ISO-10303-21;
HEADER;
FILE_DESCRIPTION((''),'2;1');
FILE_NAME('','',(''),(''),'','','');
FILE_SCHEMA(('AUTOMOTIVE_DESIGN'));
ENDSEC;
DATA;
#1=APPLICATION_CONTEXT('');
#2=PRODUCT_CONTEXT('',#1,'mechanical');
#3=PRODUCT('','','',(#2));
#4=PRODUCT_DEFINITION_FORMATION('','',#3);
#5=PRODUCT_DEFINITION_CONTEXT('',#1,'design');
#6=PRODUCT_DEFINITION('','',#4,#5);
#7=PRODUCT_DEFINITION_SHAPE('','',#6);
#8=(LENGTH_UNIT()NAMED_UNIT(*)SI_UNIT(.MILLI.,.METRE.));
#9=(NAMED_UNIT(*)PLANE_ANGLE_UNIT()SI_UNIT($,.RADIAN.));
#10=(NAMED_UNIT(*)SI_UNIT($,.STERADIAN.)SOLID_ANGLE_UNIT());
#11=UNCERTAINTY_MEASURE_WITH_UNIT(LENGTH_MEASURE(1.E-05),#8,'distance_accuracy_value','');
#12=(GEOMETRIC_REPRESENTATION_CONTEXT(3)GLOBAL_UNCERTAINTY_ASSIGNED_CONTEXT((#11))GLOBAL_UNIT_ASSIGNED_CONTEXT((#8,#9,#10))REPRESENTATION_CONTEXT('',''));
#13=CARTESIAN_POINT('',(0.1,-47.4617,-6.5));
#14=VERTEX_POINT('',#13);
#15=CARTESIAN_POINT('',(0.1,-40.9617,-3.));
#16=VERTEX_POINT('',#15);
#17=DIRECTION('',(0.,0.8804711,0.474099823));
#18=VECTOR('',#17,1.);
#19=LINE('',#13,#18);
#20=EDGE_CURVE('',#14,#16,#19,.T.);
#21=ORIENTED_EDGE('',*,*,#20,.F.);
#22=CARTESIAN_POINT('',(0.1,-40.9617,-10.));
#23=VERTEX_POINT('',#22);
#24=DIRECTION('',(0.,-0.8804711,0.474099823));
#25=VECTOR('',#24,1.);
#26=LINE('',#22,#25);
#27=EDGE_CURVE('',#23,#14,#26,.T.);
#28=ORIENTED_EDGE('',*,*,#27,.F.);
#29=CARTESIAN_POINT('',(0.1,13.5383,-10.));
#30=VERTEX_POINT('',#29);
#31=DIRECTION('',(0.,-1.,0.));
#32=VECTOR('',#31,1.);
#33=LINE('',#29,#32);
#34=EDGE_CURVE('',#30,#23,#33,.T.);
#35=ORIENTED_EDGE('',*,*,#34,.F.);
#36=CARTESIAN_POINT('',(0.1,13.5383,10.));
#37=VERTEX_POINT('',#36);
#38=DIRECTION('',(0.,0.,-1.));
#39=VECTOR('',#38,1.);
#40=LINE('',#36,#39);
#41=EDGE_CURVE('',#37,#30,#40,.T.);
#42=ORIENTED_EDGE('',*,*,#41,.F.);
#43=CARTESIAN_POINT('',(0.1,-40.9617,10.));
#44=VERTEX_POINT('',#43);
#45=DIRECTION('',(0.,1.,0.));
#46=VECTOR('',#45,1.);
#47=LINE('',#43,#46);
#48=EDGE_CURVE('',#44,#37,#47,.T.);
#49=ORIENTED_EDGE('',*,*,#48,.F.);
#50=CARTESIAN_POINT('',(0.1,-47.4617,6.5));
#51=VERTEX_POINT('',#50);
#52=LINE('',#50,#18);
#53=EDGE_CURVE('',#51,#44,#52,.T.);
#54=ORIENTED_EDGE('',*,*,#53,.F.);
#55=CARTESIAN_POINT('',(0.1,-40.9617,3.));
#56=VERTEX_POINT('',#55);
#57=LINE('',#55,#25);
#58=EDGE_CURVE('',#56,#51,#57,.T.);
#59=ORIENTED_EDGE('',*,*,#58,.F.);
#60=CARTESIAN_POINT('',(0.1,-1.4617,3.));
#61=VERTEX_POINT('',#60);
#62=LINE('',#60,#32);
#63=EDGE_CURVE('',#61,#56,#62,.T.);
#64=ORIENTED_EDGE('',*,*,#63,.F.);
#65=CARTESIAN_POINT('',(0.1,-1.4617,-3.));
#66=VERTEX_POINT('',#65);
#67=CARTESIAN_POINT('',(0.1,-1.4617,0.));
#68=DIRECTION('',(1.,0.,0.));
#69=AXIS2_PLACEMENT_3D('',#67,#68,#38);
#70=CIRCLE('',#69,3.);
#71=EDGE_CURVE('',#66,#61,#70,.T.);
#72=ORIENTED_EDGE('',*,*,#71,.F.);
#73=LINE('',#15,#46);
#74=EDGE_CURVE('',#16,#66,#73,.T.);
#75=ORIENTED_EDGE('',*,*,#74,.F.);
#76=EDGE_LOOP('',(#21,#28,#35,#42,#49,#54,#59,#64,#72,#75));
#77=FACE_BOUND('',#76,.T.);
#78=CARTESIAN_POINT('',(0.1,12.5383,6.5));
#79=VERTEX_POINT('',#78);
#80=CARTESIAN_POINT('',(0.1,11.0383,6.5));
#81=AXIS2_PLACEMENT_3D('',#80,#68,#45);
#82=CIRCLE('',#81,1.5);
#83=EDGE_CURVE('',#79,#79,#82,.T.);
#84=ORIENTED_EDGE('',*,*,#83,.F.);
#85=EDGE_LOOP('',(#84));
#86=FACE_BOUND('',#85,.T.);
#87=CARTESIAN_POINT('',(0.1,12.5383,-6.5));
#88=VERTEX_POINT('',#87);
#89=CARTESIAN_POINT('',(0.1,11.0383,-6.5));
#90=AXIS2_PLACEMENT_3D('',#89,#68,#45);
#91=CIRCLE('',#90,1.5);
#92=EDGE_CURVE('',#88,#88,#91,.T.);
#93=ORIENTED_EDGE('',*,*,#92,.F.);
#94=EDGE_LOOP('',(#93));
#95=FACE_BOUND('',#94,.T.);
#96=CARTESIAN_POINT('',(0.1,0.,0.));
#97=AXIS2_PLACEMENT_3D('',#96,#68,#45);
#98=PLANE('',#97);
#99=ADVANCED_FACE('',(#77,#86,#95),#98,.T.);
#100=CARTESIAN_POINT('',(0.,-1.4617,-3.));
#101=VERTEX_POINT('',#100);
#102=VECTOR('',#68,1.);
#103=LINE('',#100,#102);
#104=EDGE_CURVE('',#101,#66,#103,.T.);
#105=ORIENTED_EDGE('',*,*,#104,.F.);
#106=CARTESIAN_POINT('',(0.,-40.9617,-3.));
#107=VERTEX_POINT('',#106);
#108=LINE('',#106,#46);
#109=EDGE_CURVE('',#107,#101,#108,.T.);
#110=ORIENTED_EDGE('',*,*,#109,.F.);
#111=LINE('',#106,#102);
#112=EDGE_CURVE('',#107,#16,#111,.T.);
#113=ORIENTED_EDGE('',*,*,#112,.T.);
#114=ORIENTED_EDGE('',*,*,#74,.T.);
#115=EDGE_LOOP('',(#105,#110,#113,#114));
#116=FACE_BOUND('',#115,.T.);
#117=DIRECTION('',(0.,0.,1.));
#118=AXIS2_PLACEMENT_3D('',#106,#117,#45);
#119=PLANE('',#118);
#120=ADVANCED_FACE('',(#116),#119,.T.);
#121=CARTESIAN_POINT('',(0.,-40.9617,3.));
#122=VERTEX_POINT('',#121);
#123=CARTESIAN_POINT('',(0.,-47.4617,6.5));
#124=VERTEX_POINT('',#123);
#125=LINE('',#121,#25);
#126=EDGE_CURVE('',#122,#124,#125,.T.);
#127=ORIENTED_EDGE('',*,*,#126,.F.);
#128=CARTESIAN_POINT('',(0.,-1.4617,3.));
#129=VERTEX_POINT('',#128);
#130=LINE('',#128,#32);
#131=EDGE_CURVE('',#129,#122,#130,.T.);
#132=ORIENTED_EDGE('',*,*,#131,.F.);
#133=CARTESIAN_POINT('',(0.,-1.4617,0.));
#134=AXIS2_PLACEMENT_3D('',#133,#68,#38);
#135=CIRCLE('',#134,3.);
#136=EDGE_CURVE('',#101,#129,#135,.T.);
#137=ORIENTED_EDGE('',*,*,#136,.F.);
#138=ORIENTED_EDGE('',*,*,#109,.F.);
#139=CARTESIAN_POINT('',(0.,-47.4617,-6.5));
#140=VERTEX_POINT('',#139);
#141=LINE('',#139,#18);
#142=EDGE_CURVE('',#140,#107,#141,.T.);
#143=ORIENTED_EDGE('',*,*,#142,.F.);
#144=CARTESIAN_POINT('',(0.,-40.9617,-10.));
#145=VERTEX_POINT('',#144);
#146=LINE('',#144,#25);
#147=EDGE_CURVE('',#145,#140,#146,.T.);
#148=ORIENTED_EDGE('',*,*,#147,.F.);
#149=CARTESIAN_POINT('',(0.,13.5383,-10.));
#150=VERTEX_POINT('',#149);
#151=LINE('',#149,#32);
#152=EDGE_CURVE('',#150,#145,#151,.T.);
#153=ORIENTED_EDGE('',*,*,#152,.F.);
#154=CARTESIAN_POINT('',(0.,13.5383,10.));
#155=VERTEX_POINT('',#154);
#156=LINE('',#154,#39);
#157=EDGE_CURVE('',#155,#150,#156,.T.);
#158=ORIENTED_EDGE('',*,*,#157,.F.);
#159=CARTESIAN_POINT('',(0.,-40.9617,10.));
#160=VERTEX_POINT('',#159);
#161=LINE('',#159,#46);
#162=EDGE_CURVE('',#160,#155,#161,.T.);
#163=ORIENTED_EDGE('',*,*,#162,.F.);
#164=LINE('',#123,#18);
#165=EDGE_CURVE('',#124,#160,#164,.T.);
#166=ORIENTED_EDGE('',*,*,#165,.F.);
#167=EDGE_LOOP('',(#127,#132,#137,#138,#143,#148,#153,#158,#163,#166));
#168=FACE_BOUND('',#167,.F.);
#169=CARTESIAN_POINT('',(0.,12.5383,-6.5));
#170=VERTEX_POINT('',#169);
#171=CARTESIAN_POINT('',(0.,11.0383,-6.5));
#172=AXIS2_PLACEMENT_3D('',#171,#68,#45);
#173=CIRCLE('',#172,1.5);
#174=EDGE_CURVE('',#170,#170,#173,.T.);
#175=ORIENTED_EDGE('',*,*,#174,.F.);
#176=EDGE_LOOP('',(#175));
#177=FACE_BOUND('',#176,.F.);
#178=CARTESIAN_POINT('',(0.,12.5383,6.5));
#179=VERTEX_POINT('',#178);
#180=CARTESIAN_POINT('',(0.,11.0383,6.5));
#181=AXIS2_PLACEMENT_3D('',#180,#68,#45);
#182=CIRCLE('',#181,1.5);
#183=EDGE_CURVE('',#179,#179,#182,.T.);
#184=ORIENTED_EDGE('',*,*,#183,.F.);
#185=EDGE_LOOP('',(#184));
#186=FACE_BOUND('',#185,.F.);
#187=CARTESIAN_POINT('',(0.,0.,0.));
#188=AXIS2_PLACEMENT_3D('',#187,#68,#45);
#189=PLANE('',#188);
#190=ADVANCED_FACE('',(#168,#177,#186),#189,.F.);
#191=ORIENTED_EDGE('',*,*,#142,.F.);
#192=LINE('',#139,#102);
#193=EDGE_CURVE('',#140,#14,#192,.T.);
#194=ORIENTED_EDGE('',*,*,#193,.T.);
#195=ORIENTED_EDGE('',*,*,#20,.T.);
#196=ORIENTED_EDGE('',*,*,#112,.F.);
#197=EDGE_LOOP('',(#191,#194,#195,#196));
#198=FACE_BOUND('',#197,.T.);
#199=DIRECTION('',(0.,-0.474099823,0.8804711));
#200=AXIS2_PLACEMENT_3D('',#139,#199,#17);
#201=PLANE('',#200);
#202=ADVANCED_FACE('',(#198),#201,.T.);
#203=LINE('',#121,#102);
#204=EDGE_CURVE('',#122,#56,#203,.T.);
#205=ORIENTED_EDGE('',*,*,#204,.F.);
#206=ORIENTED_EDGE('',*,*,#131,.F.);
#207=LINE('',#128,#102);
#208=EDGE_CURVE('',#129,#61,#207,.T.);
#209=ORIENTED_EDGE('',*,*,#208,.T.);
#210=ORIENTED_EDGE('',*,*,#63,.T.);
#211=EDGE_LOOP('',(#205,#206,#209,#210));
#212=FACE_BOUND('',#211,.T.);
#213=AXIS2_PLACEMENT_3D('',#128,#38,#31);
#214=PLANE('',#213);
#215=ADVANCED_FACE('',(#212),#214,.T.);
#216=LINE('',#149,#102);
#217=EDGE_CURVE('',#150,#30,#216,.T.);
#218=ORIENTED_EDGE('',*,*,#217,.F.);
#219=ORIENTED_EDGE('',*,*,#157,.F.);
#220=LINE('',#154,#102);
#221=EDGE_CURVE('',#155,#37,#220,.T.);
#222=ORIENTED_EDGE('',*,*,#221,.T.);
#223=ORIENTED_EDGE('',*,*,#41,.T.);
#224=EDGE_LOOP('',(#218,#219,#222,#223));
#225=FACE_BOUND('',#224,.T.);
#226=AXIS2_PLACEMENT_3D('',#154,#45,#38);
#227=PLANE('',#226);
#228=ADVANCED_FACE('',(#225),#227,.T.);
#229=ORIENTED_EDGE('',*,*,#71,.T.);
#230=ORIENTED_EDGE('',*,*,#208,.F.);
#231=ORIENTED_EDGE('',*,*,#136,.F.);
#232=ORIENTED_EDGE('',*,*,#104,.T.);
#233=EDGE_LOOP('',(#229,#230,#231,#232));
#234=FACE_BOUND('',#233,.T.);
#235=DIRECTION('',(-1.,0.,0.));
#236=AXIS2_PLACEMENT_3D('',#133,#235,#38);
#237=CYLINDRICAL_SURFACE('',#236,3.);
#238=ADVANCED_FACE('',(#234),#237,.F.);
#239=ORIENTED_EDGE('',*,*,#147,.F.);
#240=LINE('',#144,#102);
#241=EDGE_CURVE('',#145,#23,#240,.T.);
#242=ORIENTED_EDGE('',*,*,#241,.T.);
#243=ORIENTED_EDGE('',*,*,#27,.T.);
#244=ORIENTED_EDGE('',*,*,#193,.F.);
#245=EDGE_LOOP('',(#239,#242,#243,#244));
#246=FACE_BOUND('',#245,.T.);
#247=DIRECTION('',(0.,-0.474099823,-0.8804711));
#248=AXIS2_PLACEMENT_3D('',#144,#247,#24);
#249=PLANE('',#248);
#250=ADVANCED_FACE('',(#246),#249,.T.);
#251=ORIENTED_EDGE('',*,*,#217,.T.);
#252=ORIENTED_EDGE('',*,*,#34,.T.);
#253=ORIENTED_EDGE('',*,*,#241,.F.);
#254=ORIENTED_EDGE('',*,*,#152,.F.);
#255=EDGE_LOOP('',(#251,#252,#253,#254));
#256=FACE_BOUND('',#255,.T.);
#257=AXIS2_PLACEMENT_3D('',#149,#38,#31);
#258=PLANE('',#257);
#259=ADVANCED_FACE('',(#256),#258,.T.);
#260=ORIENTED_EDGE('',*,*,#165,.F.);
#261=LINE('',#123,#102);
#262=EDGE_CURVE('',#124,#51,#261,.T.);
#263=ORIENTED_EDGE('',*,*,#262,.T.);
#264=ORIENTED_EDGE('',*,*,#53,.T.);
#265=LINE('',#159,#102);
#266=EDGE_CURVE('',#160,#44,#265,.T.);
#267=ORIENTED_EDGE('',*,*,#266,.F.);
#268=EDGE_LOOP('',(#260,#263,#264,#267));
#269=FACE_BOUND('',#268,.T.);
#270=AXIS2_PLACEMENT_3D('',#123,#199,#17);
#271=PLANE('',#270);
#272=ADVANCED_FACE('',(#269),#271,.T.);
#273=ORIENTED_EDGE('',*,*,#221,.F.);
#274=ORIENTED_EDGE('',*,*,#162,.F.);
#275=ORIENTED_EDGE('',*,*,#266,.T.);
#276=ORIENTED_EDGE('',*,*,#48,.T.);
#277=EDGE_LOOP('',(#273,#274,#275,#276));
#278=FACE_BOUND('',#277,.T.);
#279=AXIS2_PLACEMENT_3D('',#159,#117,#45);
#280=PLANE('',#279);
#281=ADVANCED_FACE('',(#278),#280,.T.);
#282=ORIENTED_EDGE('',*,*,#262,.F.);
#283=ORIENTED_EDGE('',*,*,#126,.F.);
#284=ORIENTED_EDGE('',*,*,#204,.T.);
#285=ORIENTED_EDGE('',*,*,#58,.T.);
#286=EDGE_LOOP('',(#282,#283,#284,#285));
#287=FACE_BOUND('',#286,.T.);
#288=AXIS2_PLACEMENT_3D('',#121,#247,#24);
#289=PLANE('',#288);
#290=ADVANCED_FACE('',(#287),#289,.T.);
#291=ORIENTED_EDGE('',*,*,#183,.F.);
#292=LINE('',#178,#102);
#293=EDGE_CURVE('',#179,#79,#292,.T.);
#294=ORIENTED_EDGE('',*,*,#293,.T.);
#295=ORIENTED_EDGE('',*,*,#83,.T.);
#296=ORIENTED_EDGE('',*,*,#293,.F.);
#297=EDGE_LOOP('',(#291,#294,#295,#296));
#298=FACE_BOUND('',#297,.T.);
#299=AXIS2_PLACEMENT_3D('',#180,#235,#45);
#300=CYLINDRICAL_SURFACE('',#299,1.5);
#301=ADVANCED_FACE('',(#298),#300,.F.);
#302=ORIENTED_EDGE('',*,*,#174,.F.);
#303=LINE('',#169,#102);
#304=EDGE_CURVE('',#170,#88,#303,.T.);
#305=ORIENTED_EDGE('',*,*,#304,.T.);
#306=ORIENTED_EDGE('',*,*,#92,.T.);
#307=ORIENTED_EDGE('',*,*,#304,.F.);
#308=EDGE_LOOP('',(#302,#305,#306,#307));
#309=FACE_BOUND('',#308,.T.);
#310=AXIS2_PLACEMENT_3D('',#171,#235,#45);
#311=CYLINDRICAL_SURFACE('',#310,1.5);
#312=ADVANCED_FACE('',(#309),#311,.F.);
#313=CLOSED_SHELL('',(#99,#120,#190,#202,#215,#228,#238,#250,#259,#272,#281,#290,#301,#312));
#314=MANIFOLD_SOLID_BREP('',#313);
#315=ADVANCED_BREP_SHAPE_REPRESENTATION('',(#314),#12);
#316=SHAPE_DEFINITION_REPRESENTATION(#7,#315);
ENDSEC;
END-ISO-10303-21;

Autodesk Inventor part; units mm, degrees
ref_plane "YZ Plane" through (0, 0, 0) normal (1, 0, 0) x (0, 1, 0)
ref_plane "XZ Plane" through (0, 0, 0) normal (0, 1, 0) x (-1, 0, 0)
ref_plane "XY Plane" through (0, 0, 0) normal (0, 0, 1) x (1, 0, 0)
sketch "Sketch1" plane through (0, 0, 0) normal (1, 0, 0) x (0, 1, 0)
  line L0 (13.5383, 10) -> (13.5383, -10)
  line L1 (13.5383, -10) -> (-40.9617, -10)
  line L2 (-40.9617, -10) -> (-47.4617, -6.5)
  line L3 (-47.4617, -6.5) -> (-40.9617, -3)
  line L4 (-40.9617, -3) -> (-1.4617, -3)
  line L5 (-1.4617, 3) -> (-40.9617, 3)
  line L6 (-40.9617, 3) -> (-47.4617, 6.5)
  line L7 (-47.4617, 6.5) -> (-40.9617, 10)
  line L8 (-40.9617, 10) -> (13.5383, 10)
  arc A0 (-1.4617, -3) -> (-1.4617, 3) centre (-1.4617, 0) ccw
  circle A1 centre (11.0383, 6.5) radius 1.5
  circle A2 centre (11.0383, -6.5) radius 1.5
  point P0 (0, 0)
  point P1 (-13.7117, -10)
  point P2 (13.5383, 10)
  dimension "d0" = 20
  dimension "d1" = 54.5
  dimension "d2" = 7
  dimension "d3" = 7
  dimension "d4" = 6.5
  dimension "d6" = 13.5383
  dimension "d7" = 39.5
  dimension "d8" = 39.5
  dimension "d9" = 3
  dimension "d10" = 6
  dimension "d11" = 10
  dimension "d12" = 61
  dimension "d13" = 1.4617
  dimension "d14" = 54.5
  dimension "d16" = 3
  dimension "d17" = 3.5
  dimension "d19" = 1
  dimension "d20" = 1
  dimension "d21" = 3.5
  dimension "d22" = 3.5
  dimension "d23" = 6.5
  dimension "d24" = 6.5
  dimension "d25" = 3.5
  dimension "d26" = 3.5
  dimension "d27" = 6.5
  dimension "d28" = 3
  dimension "d31" = 6.5
extrude "Extrusion1" add sketch "Sketch1" along normal blind 0.1
properties part number "moisture sensor"
